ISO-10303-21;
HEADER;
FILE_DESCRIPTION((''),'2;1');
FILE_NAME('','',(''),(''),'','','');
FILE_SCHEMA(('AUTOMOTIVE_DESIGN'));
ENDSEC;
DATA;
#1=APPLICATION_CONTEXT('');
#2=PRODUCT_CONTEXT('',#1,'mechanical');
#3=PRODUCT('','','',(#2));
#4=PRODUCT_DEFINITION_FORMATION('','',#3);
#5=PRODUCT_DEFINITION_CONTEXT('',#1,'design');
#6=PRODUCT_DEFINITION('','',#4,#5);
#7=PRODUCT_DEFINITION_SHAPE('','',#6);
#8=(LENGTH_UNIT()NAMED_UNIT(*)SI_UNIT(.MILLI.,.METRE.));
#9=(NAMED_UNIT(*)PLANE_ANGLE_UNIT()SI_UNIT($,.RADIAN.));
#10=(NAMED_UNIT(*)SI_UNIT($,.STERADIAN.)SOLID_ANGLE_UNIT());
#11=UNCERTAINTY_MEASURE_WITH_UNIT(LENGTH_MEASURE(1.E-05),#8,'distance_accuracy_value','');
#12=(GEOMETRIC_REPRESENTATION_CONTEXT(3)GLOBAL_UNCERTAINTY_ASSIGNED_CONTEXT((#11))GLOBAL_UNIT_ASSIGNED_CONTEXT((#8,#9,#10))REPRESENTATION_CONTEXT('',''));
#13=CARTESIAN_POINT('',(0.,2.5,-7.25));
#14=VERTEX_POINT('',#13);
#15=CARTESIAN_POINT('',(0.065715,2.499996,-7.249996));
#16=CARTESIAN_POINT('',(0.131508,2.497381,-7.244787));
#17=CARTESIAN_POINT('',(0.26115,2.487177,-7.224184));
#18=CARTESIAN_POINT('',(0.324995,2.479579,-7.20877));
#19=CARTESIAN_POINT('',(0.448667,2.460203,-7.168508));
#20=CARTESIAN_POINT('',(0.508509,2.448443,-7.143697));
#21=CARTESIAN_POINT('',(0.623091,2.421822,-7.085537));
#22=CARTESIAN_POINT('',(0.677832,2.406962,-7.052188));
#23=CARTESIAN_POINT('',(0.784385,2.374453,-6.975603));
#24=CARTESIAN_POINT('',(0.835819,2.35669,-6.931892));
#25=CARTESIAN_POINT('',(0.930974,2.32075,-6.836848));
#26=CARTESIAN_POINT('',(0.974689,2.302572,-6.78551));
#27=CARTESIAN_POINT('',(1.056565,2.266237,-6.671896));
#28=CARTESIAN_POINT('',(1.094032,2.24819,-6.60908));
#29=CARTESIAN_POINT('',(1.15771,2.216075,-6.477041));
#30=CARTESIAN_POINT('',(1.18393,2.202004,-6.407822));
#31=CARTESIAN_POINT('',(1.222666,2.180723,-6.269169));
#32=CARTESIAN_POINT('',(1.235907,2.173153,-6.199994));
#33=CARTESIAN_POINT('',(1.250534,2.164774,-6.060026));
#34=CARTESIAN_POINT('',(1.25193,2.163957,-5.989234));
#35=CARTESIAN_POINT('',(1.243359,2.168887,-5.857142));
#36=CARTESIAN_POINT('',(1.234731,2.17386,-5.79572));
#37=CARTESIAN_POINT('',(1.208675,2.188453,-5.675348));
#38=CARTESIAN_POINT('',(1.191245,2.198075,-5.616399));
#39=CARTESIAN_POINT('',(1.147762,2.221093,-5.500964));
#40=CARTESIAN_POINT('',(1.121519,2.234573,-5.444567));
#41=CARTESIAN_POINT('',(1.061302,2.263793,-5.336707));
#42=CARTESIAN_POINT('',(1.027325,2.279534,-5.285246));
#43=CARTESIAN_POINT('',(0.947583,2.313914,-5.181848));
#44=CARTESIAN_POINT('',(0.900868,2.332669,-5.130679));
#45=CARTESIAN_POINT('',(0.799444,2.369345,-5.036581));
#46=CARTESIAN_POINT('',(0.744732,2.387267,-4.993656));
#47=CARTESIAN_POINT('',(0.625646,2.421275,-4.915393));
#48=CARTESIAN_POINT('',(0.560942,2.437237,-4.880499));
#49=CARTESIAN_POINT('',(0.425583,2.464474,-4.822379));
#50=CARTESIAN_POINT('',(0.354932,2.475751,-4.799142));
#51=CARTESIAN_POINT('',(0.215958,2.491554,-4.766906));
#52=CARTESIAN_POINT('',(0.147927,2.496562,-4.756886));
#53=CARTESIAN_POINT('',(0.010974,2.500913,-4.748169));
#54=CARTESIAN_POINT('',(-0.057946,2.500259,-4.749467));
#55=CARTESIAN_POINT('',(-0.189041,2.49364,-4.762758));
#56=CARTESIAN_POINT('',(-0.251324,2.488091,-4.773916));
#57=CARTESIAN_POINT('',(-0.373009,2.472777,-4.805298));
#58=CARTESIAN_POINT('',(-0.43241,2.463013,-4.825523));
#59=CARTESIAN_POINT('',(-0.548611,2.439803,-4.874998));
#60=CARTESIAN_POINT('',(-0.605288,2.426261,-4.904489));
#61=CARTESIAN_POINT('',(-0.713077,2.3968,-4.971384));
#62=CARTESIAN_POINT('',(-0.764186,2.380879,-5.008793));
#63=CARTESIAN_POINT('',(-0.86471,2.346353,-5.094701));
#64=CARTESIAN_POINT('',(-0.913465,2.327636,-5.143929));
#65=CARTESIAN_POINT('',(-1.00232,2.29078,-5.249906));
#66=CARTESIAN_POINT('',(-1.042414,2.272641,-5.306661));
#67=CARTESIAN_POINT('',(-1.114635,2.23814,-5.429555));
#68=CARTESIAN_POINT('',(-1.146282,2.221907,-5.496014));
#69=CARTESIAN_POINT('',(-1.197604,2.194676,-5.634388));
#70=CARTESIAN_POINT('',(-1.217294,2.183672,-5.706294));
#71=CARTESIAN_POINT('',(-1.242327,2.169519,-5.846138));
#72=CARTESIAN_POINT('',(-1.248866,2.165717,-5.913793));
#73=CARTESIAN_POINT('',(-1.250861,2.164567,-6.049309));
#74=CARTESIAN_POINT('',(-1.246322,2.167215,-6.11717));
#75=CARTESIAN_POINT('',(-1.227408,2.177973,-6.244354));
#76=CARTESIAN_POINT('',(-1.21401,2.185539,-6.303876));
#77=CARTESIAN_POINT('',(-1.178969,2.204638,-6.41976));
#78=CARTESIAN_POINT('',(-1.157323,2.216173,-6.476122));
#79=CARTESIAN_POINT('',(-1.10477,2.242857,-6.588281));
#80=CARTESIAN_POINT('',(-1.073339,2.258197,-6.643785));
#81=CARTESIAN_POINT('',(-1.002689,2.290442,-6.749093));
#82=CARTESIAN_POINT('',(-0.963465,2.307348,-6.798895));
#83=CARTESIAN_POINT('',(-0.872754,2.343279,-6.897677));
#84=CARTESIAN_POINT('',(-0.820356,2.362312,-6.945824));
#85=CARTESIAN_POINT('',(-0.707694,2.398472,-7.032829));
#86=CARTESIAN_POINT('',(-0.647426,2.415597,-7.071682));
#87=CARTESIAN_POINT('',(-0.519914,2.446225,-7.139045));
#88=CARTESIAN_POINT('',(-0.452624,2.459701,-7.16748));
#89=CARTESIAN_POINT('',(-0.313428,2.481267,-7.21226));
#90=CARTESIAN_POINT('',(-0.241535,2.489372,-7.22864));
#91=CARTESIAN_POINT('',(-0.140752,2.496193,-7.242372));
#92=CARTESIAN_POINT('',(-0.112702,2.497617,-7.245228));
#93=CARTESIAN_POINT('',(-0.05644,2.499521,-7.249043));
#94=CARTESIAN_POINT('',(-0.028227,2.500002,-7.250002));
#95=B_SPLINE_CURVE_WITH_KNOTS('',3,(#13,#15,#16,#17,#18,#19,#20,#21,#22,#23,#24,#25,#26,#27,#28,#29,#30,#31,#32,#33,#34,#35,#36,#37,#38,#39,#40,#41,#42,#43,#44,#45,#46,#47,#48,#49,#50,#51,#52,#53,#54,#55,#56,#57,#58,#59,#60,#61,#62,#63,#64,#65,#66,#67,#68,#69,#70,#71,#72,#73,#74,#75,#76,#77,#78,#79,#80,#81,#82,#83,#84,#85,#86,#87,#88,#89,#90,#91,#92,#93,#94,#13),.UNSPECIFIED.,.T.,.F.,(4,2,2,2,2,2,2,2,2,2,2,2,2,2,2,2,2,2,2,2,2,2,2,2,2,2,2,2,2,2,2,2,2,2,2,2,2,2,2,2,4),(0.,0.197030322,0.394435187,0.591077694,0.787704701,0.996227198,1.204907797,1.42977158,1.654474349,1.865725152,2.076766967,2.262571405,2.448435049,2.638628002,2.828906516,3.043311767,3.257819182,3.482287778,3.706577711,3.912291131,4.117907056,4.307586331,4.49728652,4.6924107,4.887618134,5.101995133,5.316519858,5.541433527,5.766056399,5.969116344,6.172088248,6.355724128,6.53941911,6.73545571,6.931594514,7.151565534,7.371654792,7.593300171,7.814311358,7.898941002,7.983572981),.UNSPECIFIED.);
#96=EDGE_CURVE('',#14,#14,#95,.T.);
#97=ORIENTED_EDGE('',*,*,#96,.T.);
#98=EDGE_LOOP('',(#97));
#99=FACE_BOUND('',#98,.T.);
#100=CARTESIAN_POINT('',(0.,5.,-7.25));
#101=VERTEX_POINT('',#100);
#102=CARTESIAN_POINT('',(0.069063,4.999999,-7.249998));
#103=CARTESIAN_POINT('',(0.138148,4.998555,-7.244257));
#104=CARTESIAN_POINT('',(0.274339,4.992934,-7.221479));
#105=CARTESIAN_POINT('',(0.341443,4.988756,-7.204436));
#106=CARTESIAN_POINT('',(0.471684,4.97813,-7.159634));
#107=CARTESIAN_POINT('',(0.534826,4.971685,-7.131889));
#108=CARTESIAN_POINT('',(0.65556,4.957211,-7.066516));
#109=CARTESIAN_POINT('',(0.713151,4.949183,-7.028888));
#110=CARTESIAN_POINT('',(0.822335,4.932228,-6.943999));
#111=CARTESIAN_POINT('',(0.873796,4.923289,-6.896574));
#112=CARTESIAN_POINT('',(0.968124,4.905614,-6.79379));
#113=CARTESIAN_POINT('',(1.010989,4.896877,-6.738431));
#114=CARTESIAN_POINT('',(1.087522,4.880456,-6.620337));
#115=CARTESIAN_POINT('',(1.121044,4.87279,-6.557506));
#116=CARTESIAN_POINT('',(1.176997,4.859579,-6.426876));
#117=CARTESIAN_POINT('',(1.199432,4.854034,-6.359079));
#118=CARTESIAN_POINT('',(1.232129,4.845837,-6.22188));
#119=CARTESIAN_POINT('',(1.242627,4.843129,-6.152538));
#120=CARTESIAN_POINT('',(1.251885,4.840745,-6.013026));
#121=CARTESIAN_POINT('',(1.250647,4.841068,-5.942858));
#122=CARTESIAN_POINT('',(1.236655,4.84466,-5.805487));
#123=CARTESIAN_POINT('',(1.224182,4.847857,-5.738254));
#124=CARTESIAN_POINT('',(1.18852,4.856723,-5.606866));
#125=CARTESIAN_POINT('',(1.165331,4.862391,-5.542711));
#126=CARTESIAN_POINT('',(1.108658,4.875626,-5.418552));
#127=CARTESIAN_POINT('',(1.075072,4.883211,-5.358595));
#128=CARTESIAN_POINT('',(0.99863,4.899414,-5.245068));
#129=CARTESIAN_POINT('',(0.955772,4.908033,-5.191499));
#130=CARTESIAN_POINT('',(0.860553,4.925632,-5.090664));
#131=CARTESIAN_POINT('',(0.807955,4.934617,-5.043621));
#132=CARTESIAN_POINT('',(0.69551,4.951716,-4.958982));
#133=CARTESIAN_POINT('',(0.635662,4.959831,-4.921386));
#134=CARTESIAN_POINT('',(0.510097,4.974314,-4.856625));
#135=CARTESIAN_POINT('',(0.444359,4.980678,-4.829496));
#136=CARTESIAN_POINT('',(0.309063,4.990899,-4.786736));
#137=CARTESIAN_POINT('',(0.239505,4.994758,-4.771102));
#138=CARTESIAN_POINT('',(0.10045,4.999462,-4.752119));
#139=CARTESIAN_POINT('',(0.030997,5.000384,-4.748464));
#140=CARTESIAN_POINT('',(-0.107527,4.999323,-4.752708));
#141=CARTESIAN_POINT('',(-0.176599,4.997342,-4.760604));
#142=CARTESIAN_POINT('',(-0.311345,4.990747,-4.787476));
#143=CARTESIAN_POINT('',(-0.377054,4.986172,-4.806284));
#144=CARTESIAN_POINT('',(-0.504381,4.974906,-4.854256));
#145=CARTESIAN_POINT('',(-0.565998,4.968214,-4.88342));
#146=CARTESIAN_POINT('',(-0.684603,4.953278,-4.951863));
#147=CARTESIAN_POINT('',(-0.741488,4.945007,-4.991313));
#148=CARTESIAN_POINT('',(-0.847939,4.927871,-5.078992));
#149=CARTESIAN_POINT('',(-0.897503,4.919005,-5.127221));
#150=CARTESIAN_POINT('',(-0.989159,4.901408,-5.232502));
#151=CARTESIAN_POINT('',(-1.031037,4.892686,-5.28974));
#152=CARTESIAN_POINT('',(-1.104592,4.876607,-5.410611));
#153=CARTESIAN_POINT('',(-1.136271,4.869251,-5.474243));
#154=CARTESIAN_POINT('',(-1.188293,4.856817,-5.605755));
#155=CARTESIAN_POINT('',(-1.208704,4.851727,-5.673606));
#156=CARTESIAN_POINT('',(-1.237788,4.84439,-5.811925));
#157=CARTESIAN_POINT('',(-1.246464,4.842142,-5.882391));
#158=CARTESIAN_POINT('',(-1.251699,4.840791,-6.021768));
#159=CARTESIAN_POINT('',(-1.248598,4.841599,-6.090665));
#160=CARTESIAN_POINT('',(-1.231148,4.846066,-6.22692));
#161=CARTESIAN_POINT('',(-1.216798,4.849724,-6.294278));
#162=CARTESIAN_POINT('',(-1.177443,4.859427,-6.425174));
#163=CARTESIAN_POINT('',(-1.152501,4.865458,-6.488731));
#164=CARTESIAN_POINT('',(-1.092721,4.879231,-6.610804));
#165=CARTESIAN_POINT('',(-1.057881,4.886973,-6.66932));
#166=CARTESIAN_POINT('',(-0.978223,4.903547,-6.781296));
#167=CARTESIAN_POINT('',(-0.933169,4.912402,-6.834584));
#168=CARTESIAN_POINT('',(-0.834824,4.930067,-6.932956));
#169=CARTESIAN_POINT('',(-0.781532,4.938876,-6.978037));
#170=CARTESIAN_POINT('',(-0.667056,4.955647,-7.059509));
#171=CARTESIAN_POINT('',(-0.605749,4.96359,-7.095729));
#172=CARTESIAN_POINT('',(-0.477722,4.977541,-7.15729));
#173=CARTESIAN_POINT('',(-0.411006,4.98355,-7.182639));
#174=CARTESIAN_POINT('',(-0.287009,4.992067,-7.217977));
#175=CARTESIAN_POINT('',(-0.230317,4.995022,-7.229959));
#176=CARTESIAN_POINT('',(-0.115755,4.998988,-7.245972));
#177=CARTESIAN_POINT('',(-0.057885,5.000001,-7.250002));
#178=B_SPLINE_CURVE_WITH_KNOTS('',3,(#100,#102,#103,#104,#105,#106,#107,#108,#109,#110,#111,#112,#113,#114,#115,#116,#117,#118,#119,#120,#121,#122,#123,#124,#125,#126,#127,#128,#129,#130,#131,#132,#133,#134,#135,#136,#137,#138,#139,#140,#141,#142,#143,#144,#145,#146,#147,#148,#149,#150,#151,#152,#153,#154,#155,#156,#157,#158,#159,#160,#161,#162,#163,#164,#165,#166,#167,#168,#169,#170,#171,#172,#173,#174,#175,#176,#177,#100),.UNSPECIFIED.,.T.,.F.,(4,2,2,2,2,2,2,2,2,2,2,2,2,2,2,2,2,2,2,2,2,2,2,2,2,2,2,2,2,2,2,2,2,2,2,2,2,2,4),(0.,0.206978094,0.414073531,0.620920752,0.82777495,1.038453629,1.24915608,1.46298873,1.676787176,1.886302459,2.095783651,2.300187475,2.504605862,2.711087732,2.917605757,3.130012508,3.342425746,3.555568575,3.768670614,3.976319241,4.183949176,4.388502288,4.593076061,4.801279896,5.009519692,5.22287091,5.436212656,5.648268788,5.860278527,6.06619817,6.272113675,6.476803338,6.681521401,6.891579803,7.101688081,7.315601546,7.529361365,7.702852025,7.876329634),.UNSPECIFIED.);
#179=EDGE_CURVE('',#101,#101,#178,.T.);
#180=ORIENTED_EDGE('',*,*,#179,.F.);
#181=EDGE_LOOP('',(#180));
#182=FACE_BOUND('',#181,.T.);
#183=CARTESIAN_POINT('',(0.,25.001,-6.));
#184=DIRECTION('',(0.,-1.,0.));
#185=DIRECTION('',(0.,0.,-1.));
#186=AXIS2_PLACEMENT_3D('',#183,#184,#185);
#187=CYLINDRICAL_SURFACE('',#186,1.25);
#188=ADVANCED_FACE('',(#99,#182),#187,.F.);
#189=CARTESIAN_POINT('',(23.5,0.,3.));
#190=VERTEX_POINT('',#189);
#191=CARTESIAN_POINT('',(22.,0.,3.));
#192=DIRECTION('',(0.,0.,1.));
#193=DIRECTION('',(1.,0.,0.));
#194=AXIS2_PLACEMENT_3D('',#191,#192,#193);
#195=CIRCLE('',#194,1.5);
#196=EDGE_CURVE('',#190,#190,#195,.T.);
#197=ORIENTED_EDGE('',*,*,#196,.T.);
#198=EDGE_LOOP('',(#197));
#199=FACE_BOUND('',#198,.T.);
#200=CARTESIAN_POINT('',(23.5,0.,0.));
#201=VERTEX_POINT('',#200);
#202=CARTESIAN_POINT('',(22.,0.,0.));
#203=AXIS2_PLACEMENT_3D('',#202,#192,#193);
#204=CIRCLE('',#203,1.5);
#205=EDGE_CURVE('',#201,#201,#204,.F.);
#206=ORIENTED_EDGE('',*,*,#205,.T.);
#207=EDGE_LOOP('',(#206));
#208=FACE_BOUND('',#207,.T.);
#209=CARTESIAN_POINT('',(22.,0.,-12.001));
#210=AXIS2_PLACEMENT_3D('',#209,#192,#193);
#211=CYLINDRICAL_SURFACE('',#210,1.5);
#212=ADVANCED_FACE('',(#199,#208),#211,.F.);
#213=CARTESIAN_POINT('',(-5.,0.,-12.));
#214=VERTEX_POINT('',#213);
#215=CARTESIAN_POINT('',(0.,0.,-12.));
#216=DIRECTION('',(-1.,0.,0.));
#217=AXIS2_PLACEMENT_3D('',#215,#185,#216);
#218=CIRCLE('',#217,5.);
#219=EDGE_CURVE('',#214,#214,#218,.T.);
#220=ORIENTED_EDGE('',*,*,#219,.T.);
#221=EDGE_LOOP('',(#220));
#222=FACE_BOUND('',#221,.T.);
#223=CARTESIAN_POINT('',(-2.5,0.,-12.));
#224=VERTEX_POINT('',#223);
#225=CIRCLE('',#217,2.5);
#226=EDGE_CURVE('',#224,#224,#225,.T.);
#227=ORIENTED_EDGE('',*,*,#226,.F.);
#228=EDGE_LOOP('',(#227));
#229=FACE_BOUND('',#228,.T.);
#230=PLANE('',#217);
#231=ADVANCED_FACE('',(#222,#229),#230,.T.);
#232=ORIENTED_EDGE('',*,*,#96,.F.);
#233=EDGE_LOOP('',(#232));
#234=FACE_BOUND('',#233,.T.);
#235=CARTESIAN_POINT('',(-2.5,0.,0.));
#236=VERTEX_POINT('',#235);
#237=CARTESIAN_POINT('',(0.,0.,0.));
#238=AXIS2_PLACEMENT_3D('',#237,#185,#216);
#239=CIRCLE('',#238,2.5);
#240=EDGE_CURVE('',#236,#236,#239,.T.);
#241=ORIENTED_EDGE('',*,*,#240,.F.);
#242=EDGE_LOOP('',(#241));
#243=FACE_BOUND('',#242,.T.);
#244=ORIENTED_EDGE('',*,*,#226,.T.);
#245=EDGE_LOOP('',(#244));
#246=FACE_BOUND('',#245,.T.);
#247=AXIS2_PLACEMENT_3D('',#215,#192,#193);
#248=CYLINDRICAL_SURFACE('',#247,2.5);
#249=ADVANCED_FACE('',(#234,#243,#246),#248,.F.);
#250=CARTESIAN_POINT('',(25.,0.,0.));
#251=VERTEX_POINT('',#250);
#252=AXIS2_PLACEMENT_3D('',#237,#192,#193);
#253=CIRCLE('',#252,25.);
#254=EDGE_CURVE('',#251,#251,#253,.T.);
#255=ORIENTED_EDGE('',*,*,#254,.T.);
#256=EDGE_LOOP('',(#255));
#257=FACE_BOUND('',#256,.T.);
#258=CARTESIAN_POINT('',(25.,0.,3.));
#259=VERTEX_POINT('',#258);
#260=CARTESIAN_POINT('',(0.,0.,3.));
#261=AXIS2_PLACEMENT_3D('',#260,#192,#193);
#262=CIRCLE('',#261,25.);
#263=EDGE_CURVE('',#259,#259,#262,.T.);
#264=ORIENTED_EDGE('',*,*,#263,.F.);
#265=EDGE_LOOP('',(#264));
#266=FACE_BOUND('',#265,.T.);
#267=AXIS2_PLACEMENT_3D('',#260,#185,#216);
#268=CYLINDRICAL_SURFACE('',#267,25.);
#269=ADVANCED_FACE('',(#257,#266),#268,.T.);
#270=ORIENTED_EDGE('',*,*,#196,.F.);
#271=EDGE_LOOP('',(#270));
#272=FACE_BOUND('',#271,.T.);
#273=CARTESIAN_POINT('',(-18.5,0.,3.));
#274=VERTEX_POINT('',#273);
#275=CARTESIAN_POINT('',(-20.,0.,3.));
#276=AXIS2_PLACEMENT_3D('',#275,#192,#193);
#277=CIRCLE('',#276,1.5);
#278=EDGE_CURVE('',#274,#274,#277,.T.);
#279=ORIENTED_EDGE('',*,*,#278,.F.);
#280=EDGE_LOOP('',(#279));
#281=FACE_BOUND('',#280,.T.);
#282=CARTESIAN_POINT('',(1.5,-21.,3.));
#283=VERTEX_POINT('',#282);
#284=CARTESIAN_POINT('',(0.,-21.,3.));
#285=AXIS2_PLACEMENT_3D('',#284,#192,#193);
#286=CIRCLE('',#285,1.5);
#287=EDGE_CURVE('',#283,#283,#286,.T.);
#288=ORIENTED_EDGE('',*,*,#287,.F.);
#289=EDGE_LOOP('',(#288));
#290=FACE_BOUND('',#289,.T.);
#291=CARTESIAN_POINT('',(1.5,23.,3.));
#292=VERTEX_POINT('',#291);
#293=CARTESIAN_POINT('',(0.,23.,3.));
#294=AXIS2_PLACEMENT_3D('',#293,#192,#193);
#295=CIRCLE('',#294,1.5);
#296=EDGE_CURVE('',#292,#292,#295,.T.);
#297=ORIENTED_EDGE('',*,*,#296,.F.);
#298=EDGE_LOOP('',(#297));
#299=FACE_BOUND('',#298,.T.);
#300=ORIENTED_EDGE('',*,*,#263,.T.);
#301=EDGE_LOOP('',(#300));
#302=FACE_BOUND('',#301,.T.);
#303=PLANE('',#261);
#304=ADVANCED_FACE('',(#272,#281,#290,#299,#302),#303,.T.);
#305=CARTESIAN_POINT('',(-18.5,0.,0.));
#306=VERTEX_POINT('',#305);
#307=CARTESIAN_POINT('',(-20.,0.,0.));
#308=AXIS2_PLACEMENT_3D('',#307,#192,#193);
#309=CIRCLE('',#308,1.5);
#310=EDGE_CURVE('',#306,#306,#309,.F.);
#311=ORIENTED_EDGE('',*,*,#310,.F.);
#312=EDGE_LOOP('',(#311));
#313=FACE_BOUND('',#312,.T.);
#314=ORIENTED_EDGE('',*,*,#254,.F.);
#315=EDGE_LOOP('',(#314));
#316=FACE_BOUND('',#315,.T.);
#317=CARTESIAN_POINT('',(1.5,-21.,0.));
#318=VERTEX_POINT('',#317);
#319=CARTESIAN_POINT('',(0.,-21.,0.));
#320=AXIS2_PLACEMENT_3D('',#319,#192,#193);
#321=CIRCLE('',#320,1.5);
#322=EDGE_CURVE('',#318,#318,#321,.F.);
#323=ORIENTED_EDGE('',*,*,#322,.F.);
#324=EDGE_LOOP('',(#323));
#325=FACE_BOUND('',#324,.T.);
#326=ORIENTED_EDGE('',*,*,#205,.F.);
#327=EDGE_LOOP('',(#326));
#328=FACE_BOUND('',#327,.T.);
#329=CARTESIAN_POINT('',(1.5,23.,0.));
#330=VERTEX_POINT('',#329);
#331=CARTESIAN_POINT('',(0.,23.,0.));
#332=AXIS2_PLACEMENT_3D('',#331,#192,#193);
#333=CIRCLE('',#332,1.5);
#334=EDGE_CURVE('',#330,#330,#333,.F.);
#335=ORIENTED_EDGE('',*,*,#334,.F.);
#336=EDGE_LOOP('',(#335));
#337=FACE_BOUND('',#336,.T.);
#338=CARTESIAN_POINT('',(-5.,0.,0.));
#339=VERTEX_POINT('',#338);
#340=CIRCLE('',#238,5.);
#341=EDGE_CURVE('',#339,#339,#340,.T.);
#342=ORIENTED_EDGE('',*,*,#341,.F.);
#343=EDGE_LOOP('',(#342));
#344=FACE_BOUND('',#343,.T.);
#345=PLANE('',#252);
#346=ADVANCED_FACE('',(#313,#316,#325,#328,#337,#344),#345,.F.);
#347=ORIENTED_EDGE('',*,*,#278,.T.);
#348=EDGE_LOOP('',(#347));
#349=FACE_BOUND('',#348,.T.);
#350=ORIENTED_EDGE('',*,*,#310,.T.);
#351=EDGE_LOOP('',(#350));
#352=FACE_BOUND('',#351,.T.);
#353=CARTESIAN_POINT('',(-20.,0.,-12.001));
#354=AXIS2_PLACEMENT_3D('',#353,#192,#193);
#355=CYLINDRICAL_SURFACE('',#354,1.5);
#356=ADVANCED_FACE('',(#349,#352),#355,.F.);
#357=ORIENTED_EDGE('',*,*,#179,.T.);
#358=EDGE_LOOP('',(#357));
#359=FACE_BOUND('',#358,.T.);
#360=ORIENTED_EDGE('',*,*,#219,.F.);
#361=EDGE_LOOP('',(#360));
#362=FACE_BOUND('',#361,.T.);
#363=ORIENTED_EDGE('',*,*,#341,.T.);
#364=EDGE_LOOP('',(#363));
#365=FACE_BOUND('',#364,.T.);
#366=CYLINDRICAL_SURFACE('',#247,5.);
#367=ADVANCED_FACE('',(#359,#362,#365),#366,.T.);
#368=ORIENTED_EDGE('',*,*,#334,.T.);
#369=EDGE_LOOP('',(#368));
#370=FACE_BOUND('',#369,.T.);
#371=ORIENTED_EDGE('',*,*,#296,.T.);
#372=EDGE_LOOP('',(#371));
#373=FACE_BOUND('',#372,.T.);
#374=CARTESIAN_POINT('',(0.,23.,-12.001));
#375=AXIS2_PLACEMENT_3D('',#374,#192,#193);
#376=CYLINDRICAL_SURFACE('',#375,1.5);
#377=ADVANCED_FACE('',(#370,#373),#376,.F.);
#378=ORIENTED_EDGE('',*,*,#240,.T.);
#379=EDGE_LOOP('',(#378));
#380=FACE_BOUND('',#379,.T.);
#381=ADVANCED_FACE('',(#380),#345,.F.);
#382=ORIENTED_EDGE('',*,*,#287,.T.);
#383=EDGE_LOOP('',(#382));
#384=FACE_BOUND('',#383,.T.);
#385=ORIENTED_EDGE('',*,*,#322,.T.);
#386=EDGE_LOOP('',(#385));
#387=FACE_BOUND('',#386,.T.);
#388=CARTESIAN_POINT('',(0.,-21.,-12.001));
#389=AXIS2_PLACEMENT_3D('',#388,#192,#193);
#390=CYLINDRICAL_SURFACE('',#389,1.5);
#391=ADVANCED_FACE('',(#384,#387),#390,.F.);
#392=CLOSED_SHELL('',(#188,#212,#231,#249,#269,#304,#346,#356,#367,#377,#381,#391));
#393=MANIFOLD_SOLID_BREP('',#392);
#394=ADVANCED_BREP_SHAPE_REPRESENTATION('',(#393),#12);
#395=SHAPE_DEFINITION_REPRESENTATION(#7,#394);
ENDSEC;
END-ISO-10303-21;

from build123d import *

# Parameters (mm, degrees)
SZKIC1_R                        = 25
DODANIE_WYCI_GNI_CIE1_DEPTH     = 3
SZKIC2_R                        = 5
SZKIC2_R_2                      = 2.5
DODANIE_WYCI_GNI_CIE2_DEPTH     = 12
WYTNIJ_WYCI_GNI_CIE1_REACH      = 39.336
WYTNIJ_WYCI_GNI_CIE1_END_RADIUS = 5
SZKIC3_R                        = 1.25
WYTNIJ_WYCI_GNI_CIE2_REACH      = 40.406
SZKIC4_R                        = 1.5


with BuildPart() as part:
    # Szkic1 → Dodanie-wyciągnięcie1 (new body)
    with BuildSketch(Plane.XY):
        Circle(SZKIC1_R)
    extrude(amount=DODANIE_WYCI_GNI_CIE1_DEPTH)

    # Szkic2 → Dodanie-wyciągnięcie2 (add)
    with BuildSketch(Plane(origin=(0, 0, 0), x_dir=(-1, 0, 0), z_dir=(0, 0, -1))):
        Circle(SZKIC2_R)
        Circle(SZKIC2_R_2, mode=Mode.SUBTRACT)
    extrude(amount=DODANIE_WYCI_GNI_CIE2_DEPTH)

    # Wytnij-wyciągnięcie1: up to this cylinder (the profile starts inside it)
    wytnij_wyci_gni_cie1_end = Plane(origin=(0, 0, -6), z_dir=(0, 0, 1)) * Cylinder(WYTNIJ_WYCI_GNI_CIE1_END_RADIUS, 89.672, mode=Mode.PRIVATE)
    # Szkic3 → Wytnij-wyciągnięcie1 (cut, up to the surface)
    with BuildSketch(Plane(origin=(0, 0, 0), x_dir=(1, 0, 0), z_dir=(0, 1, 0)), mode=Mode.PRIVATE) as wytnij_wyci_gni_cie1_sk1:
        with Locations(Location((0, 6, 0), (0, 0, 90))):
            Circle(SZKIC3_R)
    wytnij_wyci_gni_cie1_tool1 = extrude(wytnij_wyci_gni_cie1_sk1.sketch, amount=WYTNIJ_WYCI_GNI_CIE1_REACH, mode=Mode.PRIVATE) & wytnij_wyci_gni_cie1_end
    add(wytnij_wyci_gni_cie1_tool1.solids().sort_by_distance((0, 0, -6))[0], mode=Mode.SUBTRACT)

    # Szkic4 → Wytnij-wyciągnięcie2 (cut, up to next)
    with BuildSketch(Plane.XY.offset(3), mode=Mode.PRIVATE) as wytnij_wyci_gni_cie2_sk1:
        with Locations((22, 0)):
            Circle(SZKIC4_R)
    wytnij_wyci_gni_cie2_tool1 = extrude(wytnij_wyci_gni_cie2_sk1.sketch, amount=-WYTNIJ_WYCI_GNI_CIE2_REACH, mode=Mode.PRIVATE) & part.part
    # Szkic4 → Wytnij-wyciągnięcie2 (cut, up to next)
    with BuildSketch(Plane.XY.offset(3), mode=Mode.PRIVATE) as wytnij_wyci_gni_cie2_sk2:
        with Locations((-20, 0)):
            Circle(SZKIC4_R)
    wytnij_wyci_gni_cie2_tool2 = extrude(wytnij_wyci_gni_cie2_sk2.sketch, amount=-WYTNIJ_WYCI_GNI_CIE2_REACH, mode=Mode.PRIVATE) & part.part
    # Szkic4 → Wytnij-wyciągnięcie2 (cut, up to next)
    with BuildSketch(Plane.XY.offset(3), mode=Mode.PRIVATE) as wytnij_wyci_gni_cie2_sk3:
        with Locations((0, -21)):
            Circle(SZKIC4_R)
    wytnij_wyci_gni_cie2_tool3 = extrude(wytnij_wyci_gni_cie2_sk3.sketch, amount=-WYTNIJ_WYCI_GNI_CIE2_REACH, mode=Mode.PRIVATE) & part.part
    # Szkic4 → Wytnij-wyciągnięcie2 (cut, up to next)
    with BuildSketch(Plane.XY.offset(3), mode=Mode.PRIVATE) as wytnij_wyci_gni_cie2_sk4:
        with Locations((0, 23)):
            Circle(SZKIC4_R)
    wytnij_wyci_gni_cie2_tool4 = extrude(wytnij_wyci_gni_cie2_sk4.sketch, amount=-WYTNIJ_WYCI_GNI_CIE2_REACH, mode=Mode.PRIVATE) & part.part
    add(wytnij_wyci_gni_cie2_tool1.solids().sort_by_distance((22, 0, 3))[0], mode=Mode.SUBTRACT)
    add(wytnij_wyci_gni_cie2_tool2.solids().sort_by_distance((-20, 0, 3))[0], mode=Mode.SUBTRACT)
    add(wytnij_wyci_gni_cie2_tool3.solids().sort_by_distance((0, -21, 3))[0], mode=Mode.SUBTRACT)
    add(wytnij_wyci_gni_cie2_tool4.solids().sort_by_distance((0, 23, 3))[0], mode=Mode.SUBTRACT)


solid = part.part
